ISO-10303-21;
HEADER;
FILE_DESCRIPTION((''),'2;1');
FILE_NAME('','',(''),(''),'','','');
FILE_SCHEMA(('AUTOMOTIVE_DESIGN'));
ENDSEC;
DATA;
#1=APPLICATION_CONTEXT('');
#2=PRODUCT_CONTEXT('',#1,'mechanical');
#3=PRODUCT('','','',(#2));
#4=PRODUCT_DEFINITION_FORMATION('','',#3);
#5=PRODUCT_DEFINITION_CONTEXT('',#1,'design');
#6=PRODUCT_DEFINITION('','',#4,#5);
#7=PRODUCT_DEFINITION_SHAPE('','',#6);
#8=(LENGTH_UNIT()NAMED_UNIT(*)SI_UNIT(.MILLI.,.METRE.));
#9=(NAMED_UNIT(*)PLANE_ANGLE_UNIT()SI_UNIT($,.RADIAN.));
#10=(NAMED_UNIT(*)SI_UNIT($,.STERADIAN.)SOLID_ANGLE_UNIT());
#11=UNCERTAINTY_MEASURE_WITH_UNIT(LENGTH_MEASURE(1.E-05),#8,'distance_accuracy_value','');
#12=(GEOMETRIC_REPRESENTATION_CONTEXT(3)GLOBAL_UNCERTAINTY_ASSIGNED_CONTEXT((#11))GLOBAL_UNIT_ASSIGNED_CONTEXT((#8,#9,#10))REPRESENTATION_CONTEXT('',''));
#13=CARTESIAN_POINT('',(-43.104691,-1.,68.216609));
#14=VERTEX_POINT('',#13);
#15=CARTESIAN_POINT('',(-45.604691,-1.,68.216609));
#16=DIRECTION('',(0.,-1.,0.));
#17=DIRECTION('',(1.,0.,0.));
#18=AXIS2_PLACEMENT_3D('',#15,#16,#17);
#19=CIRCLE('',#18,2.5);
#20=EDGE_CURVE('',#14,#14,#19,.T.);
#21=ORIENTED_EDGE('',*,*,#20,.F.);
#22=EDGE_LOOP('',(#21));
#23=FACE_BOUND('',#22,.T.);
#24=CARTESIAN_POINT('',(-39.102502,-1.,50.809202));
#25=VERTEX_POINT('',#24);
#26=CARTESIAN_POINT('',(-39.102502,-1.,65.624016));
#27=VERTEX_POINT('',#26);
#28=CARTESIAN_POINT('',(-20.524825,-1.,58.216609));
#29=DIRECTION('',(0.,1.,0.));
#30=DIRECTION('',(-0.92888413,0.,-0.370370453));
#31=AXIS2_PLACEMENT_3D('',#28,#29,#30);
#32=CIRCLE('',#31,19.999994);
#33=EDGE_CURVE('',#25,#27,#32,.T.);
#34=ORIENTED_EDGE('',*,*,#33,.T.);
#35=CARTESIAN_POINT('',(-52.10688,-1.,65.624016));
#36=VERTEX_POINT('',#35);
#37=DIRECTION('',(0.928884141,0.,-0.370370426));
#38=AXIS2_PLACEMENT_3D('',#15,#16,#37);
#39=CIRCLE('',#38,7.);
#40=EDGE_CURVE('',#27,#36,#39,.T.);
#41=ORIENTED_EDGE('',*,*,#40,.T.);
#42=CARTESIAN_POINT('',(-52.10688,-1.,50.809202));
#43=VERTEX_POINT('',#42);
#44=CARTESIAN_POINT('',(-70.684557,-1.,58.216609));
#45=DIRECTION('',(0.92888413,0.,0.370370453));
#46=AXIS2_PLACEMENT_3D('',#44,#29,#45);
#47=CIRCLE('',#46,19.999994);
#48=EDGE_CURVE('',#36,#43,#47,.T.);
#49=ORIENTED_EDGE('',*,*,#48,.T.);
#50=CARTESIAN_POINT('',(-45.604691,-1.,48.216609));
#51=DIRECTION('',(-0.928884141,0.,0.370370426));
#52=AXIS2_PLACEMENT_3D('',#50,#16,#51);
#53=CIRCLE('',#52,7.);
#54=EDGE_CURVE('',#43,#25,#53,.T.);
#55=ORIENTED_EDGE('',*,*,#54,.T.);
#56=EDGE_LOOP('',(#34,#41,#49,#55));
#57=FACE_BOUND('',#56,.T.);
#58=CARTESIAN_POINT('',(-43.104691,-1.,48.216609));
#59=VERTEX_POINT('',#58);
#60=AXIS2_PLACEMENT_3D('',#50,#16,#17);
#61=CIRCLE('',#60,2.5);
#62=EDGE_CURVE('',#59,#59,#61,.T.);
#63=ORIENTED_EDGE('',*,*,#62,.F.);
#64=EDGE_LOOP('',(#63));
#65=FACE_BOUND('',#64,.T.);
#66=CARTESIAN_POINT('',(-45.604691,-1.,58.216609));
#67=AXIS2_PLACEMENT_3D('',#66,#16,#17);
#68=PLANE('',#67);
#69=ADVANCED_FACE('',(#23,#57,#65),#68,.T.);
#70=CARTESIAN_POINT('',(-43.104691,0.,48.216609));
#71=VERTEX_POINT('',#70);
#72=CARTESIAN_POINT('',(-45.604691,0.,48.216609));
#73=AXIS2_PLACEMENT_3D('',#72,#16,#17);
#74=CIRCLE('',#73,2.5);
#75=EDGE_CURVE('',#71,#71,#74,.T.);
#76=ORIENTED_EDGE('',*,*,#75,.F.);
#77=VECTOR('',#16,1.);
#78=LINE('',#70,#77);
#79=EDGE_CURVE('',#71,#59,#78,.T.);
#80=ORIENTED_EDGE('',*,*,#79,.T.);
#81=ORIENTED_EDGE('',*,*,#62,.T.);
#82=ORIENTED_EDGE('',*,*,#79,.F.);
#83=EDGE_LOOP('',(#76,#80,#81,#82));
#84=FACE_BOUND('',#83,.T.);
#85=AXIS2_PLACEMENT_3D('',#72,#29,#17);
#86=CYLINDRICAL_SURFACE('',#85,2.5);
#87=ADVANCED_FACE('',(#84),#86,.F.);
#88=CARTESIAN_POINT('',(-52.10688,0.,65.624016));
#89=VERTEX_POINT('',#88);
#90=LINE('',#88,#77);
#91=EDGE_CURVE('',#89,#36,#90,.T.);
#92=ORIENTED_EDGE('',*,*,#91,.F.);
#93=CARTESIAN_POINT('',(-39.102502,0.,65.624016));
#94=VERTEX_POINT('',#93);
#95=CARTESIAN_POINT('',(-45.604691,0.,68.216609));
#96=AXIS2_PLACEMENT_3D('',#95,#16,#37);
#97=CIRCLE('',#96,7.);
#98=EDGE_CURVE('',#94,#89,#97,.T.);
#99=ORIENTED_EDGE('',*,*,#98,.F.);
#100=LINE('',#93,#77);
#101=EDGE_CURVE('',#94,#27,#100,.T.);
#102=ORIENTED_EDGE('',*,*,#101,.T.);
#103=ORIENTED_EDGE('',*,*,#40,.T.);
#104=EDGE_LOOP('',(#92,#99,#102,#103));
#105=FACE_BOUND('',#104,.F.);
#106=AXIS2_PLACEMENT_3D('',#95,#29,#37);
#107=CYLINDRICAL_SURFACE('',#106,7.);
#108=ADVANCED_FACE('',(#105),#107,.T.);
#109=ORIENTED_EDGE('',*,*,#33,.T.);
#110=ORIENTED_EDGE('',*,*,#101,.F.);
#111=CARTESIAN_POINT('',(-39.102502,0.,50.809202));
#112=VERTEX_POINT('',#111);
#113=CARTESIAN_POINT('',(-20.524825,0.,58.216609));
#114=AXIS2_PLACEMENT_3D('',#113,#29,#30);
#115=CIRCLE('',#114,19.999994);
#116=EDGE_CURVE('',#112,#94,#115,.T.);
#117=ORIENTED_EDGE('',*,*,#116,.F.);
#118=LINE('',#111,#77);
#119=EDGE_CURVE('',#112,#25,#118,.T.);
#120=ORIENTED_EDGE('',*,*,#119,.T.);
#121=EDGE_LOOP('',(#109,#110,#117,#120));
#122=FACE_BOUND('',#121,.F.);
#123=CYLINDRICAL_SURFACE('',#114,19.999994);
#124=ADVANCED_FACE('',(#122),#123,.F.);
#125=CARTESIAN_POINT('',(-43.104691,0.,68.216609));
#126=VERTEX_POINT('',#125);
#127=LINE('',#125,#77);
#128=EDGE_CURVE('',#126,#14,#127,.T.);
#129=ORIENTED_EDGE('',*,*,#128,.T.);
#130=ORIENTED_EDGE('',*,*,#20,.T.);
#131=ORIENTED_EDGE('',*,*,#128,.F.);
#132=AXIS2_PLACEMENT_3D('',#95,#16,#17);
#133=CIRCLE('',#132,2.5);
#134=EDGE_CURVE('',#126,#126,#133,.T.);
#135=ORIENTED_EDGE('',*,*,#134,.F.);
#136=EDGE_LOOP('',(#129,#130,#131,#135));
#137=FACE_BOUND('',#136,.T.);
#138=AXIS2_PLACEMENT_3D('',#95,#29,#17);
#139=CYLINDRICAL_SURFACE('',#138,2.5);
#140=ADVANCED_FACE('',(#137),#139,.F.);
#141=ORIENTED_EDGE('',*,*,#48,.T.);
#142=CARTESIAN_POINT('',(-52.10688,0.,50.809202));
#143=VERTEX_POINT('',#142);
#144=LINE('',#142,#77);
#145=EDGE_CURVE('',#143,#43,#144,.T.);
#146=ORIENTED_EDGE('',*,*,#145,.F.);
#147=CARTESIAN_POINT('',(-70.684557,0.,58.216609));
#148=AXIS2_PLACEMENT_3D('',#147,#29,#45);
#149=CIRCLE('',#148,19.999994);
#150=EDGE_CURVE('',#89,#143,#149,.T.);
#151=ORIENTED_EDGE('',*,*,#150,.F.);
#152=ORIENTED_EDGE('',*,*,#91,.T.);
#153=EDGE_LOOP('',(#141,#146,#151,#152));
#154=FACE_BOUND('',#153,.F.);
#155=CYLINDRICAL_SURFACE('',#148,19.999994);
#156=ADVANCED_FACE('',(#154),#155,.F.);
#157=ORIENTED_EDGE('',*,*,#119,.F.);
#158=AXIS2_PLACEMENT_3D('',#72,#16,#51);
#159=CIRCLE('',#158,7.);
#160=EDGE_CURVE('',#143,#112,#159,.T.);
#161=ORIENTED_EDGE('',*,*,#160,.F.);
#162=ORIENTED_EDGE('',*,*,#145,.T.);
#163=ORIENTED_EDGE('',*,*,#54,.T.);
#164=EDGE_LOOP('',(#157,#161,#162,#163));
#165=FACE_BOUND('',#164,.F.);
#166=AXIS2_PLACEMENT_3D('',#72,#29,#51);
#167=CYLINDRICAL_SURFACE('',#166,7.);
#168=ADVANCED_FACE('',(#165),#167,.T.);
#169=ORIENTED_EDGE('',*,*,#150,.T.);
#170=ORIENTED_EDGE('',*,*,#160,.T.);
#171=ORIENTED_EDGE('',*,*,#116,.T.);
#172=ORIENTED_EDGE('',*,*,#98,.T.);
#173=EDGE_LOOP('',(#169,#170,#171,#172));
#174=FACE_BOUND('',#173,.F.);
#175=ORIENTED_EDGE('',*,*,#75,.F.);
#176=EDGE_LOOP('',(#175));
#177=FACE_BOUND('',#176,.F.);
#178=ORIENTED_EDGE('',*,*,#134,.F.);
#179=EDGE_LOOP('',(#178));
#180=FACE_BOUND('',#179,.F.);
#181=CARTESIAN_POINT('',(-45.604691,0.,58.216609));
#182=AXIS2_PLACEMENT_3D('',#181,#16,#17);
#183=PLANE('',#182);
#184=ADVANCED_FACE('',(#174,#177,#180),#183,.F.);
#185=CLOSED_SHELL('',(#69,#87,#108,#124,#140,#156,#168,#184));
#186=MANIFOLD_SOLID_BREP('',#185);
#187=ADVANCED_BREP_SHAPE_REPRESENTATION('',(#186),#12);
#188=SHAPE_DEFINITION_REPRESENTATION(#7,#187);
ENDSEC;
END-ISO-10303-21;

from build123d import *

# Parameters (mm, degrees)
F0_R     = 2.5
F1_DEPTH = 1


with BuildPart() as f1:
    # F0 (on Front) → F1 (new body)
    with BuildSketch(Plane.XZ):
        with BuildLine():
            ThreePointArc((-39.102502, 50.809202), (-40.524819, 58.216609), (-39.102502, 65.624016))
            ThreePointArc((-39.102502, 65.624016), (-45.604691, 75.216609), (-52.10688, 65.624016))
            ThreePointArc((-52.10688, 65.624016), (-50.684563, 58.216609), (-52.10688, 50.809202))
            ThreePointArc((-52.10688, 50.809202), (-45.604691, 41.216609), (-39.102502, 50.809202))
        make_face()
        with Locations((-45.604691, 48.216609)):
            Circle(F0_R, mode=Mode.SUBTRACT)
        with Locations((-45.604691, 68.216609)):
            Circle(F0_R, mode=Mode.SUBTRACT)
    extrude(amount=F1_DEPTH)


solid = f1.part
